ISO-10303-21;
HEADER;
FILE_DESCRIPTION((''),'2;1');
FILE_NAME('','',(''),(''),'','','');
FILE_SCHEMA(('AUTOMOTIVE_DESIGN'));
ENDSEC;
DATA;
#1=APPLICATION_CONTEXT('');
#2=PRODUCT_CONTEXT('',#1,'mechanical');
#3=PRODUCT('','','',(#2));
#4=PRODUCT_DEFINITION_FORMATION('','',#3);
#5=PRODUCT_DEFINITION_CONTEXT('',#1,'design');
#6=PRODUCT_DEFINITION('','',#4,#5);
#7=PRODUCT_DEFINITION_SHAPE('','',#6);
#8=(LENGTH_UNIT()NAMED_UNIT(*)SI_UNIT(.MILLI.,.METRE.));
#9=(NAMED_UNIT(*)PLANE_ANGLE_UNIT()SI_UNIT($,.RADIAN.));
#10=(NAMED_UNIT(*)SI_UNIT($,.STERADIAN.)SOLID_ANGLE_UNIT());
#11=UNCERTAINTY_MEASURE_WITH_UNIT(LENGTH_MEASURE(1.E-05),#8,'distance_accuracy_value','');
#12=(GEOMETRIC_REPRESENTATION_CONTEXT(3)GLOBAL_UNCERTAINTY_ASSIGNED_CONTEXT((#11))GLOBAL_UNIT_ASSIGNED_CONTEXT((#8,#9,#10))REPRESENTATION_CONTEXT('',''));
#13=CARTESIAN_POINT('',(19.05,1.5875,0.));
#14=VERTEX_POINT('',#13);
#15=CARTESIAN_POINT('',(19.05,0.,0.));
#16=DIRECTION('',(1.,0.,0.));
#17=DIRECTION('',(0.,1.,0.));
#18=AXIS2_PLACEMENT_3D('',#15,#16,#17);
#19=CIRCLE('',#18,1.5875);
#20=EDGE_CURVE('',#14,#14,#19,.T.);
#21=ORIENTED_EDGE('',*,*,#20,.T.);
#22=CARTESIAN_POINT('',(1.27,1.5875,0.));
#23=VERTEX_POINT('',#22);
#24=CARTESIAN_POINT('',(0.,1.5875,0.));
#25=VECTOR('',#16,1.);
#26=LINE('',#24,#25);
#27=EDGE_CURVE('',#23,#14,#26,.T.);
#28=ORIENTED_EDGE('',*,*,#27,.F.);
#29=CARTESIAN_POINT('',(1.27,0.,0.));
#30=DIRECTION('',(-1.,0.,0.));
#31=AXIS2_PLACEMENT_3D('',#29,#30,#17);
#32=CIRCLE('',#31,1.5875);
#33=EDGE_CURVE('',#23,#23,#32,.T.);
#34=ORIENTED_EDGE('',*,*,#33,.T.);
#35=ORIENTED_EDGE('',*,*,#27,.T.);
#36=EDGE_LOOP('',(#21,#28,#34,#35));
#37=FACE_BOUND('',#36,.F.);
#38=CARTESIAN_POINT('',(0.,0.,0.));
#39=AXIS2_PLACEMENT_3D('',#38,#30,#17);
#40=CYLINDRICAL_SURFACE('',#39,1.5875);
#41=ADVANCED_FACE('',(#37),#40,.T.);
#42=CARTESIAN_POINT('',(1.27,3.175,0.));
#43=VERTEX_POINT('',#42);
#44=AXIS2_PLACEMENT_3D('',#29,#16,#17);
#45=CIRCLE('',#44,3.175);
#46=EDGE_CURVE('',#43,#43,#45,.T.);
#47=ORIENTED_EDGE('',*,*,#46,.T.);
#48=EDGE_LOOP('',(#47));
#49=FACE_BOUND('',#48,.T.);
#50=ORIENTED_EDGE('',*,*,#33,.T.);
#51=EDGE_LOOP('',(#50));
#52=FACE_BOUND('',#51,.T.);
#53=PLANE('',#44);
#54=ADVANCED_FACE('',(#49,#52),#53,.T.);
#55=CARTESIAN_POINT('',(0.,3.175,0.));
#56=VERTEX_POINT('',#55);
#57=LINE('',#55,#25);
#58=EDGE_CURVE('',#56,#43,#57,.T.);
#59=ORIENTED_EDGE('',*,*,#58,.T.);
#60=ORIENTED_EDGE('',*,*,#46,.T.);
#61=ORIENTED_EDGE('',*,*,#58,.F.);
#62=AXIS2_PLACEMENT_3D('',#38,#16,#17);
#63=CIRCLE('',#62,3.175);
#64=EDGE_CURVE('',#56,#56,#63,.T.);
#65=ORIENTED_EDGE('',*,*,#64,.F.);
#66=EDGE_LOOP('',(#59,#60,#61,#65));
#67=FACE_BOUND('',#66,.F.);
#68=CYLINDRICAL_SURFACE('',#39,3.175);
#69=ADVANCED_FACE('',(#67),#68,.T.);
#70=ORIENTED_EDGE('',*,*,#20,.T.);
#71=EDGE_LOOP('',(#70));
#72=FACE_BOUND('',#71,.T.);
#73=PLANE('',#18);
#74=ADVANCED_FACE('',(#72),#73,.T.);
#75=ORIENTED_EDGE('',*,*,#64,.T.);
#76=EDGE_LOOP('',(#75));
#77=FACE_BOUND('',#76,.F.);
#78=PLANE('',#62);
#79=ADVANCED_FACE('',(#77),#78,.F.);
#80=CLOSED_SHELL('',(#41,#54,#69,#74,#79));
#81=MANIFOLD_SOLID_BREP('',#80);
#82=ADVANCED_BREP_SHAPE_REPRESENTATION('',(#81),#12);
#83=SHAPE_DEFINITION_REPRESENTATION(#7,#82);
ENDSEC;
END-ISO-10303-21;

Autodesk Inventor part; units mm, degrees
ref_plane "YZ Plane" through (0, 0, 0) normal (1, 0, 0) x (0, 1, 0)
ref_plane "XZ Plane" through (0, 0, 0) normal (0, 1, 0) x (-1, 0, 0)
ref_plane "XY Plane" through (0, 0, 0) normal (0, 0, 1) x (1, 0, 0)
sketch "Sketch1" plane through (0, 0, 0) normal (1, 0, 0) x (0, 1, 0)
  circle A0 centre (0, 0) radius 3.175
  circle A1 centre (0, 0) radius 1.5875
  dimension "d0" = 6.35
  dimension "d1" = 3.175
extrude "Extrusion1" add sketch "Sketch1" along normal blind 19.05 contours A1
extrude "Extrusion2" add sketch "Sketch1" along normal blind 1.27 contours A0 | A1
thread "Thread1" size "5-40 UNC" class "2A" standard "ANSI Unified Screw Threads" full length
properties part number "Bolt_SBail"
